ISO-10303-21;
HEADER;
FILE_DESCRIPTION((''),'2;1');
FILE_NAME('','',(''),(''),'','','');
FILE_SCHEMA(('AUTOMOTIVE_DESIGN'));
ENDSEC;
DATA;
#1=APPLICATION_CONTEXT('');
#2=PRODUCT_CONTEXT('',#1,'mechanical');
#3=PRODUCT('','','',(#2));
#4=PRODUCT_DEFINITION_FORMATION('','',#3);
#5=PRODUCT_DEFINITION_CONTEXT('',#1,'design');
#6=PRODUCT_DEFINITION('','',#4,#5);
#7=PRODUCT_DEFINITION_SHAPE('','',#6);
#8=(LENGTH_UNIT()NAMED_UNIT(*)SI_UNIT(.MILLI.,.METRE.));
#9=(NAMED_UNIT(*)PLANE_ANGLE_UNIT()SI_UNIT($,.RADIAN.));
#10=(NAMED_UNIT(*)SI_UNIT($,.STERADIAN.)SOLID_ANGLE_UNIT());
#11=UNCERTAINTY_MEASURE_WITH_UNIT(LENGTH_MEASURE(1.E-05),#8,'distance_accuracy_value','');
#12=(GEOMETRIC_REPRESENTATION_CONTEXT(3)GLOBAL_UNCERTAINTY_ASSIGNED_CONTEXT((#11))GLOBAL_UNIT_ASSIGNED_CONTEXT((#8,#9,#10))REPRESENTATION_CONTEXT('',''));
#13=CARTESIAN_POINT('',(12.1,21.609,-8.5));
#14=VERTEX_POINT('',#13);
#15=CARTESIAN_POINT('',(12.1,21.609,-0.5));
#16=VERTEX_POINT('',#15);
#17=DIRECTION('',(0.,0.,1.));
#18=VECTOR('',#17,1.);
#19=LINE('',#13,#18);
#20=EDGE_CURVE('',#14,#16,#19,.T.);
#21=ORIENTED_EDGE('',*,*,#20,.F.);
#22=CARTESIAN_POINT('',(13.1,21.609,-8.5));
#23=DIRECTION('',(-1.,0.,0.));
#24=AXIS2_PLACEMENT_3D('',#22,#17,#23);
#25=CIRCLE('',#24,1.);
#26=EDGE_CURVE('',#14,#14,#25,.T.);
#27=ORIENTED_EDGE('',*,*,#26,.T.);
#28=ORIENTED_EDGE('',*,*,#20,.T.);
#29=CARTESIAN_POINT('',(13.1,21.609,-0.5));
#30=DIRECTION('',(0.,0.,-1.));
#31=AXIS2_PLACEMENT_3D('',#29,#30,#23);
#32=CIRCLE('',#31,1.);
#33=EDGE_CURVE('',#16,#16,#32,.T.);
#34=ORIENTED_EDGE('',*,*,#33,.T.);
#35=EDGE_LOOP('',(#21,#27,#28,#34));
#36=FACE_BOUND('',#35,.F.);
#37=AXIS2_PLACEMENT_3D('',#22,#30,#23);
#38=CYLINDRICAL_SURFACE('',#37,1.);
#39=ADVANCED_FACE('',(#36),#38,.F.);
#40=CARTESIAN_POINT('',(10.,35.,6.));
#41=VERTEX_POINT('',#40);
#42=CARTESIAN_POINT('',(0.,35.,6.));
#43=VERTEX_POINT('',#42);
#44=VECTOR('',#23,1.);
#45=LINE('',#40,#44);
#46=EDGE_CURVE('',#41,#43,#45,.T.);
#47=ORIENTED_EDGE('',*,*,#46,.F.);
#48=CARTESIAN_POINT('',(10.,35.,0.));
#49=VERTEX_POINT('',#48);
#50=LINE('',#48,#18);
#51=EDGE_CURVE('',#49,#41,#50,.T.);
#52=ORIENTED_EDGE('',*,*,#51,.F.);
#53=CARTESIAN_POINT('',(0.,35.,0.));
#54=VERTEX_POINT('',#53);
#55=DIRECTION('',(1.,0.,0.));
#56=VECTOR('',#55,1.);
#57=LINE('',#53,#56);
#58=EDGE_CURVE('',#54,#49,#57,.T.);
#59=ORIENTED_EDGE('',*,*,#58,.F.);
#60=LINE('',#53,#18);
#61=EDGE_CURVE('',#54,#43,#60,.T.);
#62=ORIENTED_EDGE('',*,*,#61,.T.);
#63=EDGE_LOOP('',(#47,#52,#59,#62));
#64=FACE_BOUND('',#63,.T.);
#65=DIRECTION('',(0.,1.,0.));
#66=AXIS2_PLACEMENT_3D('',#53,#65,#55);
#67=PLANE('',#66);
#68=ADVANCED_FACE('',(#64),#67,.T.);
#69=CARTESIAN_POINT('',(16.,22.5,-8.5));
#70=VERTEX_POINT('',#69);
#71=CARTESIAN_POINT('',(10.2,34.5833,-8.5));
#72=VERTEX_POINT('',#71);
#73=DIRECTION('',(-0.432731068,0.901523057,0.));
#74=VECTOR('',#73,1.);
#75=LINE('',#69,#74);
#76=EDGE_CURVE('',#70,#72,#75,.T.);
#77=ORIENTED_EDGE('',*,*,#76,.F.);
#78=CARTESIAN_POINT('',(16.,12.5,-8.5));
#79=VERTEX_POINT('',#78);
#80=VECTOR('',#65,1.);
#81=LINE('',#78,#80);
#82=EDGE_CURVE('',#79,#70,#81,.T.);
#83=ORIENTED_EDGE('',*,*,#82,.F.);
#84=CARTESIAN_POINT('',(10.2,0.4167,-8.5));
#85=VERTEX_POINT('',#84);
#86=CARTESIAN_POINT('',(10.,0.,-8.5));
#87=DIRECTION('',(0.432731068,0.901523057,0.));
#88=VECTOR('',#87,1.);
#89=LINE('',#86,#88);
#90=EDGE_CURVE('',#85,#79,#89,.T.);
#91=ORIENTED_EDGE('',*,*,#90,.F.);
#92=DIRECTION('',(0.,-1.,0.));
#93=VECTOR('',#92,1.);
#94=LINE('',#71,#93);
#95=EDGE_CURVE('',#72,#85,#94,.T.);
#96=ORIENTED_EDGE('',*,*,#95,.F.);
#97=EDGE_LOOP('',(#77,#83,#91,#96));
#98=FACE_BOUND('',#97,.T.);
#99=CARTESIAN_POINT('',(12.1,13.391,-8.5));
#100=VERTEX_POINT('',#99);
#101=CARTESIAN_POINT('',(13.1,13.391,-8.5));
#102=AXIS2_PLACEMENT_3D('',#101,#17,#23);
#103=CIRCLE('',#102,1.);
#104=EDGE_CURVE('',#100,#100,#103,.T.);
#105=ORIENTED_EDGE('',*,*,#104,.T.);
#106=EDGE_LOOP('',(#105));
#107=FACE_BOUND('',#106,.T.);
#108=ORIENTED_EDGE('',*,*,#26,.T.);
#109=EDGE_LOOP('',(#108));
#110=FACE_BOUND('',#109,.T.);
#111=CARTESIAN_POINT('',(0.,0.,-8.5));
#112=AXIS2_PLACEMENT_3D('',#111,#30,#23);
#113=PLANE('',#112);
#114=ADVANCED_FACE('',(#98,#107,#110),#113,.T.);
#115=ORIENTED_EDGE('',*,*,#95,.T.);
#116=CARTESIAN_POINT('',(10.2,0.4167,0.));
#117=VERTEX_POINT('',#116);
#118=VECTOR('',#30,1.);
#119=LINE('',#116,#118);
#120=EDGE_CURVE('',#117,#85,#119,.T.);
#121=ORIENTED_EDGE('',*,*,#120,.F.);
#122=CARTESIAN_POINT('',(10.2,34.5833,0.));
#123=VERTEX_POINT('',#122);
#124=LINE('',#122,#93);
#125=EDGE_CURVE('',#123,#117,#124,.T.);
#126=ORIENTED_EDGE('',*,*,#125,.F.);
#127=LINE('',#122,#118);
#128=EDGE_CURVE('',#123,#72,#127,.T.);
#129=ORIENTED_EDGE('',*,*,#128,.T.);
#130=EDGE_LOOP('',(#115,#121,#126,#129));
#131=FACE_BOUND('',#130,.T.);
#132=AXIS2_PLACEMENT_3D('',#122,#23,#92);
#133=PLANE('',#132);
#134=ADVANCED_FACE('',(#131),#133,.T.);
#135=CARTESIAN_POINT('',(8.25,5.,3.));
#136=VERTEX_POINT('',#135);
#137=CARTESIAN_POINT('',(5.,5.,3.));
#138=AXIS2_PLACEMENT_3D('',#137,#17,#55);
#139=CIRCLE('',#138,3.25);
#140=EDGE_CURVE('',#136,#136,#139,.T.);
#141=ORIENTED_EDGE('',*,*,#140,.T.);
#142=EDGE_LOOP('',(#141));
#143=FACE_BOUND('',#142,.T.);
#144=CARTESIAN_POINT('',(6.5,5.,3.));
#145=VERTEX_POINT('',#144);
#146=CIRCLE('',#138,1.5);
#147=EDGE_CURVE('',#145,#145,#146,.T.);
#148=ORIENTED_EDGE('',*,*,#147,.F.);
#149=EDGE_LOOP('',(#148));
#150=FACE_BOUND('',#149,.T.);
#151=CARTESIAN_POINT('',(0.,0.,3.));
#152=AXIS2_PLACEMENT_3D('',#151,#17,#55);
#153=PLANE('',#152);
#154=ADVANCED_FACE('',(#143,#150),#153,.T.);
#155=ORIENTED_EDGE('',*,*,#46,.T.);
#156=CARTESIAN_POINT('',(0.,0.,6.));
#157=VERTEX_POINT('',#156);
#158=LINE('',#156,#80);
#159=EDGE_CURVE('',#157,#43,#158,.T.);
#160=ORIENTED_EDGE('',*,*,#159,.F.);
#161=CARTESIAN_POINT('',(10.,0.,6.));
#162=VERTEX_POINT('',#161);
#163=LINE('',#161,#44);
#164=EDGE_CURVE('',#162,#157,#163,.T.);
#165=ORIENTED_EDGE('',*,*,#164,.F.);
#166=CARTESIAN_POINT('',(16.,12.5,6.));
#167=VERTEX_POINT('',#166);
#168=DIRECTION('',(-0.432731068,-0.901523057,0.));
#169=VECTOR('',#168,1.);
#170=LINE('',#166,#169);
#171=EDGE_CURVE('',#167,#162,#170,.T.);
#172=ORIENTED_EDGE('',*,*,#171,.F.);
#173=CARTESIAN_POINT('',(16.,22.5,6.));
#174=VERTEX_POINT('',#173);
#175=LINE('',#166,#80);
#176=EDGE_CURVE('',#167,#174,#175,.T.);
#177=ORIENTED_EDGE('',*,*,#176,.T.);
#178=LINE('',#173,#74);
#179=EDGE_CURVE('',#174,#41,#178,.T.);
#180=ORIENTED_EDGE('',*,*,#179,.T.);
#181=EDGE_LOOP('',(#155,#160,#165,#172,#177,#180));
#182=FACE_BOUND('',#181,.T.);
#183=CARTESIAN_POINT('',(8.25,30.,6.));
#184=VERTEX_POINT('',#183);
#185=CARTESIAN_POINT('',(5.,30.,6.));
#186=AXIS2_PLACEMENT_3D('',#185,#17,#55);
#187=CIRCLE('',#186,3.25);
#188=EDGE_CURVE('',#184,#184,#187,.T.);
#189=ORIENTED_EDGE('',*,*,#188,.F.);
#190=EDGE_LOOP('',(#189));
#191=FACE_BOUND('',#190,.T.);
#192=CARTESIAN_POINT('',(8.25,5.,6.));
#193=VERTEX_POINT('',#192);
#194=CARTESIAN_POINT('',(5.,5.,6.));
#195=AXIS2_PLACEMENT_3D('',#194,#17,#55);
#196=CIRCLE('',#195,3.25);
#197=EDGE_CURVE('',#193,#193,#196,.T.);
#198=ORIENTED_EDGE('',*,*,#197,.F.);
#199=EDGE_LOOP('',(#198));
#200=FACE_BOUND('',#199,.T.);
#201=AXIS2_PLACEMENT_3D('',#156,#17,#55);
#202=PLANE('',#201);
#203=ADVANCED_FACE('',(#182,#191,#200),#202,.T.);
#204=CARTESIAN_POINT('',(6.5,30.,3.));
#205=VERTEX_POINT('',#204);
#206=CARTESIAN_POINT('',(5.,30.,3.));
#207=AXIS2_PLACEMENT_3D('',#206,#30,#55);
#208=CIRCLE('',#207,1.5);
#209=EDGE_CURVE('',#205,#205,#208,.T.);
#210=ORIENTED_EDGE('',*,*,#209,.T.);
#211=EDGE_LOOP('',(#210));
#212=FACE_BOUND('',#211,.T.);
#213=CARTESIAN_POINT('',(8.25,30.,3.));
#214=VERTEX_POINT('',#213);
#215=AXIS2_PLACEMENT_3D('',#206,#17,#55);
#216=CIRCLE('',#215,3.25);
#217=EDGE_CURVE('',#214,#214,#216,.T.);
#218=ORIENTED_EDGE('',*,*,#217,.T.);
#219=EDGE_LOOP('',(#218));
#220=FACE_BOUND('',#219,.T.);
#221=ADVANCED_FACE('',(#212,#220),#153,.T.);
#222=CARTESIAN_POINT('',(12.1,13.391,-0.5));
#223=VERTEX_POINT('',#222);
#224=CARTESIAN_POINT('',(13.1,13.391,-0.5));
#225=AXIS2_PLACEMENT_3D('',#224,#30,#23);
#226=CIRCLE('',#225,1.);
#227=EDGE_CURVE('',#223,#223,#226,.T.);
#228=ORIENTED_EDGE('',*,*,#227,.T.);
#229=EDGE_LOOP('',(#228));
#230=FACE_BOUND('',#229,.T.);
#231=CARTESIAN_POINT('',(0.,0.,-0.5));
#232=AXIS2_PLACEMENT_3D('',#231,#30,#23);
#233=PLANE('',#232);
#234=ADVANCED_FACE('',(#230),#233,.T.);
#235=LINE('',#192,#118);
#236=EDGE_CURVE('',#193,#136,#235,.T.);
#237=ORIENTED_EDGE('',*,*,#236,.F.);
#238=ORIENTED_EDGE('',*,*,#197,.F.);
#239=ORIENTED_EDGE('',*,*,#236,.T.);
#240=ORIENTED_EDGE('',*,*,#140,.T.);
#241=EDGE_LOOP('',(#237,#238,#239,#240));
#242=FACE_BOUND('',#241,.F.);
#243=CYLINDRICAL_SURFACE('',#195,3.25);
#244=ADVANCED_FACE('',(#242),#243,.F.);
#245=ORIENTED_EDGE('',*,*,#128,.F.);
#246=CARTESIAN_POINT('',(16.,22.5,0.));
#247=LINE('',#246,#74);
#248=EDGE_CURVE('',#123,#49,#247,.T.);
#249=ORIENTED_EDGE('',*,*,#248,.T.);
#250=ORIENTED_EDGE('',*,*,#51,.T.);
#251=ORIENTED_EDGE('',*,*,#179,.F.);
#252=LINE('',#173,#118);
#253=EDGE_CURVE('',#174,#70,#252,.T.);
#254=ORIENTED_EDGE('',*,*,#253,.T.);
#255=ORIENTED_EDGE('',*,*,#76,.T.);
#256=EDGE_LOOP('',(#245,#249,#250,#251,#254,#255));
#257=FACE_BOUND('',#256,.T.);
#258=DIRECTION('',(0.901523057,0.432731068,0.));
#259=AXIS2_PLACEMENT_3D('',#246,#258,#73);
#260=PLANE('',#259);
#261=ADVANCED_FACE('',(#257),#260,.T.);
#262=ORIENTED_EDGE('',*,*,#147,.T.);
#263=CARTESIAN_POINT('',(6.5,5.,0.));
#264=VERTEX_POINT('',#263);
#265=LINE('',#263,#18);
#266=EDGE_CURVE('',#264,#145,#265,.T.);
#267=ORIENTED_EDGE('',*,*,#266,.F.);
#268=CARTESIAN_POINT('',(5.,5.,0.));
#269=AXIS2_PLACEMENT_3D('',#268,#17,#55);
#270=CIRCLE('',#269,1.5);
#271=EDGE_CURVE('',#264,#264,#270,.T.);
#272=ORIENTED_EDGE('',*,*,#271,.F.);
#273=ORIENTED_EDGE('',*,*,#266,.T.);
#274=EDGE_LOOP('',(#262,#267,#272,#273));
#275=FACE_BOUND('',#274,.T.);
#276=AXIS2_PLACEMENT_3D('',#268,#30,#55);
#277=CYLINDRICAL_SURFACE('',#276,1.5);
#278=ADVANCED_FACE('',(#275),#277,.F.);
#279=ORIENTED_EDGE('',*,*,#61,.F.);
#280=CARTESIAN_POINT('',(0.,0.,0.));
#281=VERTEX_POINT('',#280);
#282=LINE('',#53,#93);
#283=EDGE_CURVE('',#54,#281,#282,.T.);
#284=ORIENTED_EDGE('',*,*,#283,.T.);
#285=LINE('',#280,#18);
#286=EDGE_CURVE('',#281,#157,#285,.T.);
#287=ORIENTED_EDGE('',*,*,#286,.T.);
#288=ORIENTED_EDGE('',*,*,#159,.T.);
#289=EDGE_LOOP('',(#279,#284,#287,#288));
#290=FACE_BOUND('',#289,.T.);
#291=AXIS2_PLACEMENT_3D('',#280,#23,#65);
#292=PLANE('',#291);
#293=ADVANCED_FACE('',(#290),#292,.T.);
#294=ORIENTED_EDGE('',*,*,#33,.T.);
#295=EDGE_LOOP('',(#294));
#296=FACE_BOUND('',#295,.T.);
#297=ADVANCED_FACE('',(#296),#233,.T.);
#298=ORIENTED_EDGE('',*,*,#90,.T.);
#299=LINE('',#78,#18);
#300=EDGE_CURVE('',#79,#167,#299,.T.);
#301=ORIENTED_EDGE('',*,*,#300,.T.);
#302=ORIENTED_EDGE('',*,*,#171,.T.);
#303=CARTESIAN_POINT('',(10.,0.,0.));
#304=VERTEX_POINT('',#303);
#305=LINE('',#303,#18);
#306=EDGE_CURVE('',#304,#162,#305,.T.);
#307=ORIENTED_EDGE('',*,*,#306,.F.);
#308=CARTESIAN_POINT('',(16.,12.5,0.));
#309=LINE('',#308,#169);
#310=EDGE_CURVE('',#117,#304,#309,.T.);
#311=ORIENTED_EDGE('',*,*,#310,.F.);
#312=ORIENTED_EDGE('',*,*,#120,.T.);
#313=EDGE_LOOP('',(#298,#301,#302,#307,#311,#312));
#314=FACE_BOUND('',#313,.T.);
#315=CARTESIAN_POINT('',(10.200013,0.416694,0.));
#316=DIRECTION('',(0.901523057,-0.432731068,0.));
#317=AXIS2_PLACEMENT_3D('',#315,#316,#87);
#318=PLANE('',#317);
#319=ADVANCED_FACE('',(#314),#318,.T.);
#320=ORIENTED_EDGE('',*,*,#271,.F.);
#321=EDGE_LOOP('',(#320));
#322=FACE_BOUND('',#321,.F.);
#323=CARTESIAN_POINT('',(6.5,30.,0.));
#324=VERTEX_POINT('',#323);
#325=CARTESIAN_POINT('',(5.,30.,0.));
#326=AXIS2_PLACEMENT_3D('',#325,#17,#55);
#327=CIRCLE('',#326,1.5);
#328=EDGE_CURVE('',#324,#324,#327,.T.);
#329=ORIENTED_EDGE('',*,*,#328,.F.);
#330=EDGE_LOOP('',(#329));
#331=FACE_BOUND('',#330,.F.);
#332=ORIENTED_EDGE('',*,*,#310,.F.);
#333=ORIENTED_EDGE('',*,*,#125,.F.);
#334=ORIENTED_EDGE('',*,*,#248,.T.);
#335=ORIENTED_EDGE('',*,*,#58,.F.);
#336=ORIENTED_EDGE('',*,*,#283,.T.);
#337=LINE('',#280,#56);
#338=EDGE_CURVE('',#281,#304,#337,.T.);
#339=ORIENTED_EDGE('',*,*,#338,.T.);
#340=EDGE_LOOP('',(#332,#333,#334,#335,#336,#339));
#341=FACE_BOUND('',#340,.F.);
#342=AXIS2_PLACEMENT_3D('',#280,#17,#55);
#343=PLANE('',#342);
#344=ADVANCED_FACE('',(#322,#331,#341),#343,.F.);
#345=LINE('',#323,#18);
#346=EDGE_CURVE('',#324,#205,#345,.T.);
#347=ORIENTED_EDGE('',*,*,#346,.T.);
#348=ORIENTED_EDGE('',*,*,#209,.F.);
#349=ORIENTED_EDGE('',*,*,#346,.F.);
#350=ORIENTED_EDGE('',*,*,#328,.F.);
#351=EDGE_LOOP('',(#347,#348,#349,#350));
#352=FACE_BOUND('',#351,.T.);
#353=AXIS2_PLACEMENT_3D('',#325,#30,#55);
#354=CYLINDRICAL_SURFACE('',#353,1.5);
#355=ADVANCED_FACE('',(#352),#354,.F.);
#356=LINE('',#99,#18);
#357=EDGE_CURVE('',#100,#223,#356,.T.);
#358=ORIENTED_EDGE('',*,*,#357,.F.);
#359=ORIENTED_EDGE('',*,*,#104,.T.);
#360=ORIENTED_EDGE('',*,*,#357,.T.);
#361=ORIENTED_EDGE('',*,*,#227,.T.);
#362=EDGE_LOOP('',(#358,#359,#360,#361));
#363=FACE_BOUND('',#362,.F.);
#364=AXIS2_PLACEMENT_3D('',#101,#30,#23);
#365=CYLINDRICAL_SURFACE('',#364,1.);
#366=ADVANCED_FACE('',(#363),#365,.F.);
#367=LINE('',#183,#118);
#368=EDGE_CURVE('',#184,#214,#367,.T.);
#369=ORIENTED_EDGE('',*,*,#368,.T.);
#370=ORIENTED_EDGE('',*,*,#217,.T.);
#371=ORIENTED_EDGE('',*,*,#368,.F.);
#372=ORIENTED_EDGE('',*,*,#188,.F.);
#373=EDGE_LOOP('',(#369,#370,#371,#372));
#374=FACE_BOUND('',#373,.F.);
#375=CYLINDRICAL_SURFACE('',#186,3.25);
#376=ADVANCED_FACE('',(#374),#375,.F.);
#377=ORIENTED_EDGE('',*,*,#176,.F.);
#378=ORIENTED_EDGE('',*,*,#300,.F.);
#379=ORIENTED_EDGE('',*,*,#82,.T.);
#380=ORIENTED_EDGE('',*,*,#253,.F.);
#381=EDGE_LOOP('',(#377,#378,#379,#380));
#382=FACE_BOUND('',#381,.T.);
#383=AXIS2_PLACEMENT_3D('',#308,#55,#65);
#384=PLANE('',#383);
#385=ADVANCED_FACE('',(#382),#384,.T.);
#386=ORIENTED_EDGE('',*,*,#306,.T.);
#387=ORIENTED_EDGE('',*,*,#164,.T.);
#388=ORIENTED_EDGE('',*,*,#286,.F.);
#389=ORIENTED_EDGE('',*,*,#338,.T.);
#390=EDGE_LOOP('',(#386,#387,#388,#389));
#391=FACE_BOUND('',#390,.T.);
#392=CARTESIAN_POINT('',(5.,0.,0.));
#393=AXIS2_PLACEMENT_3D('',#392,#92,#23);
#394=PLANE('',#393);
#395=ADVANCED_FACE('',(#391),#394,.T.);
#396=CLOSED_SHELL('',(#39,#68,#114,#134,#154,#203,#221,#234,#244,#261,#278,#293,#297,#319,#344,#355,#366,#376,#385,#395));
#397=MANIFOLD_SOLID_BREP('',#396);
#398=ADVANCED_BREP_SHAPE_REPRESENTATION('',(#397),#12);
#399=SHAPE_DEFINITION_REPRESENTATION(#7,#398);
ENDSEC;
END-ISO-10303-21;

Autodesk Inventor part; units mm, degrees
ref_plane "YZ Plane" through (0, 0, 0) normal (1, 0, 0) x (0, 1, 0)
ref_plane "XZ Plane" through (0, 0, 0) normal (0, 1, 0) x (-1, 0, 0)
ref_plane "XY Plane" through (0, 0, 0) normal (0, 0, 1) x (1, 0, 0)
sketch "Sketch1" plane through (0, 0, 0) normal (0, 0, 1) x (1, 0, 0)
  line L0 (0, 0) -> (0, 5)
  line L1 (0, 5) -> (0, 30)
  line L2 (0, 30) -> (0, 35)
  line L3 (0, 35) -> (10, 35)
  line L4 (10, 35) -> (10, 0)
  line L5 (10, 0) -> (0, 0)
  line L6 (0, 35) -> (5, 35)
  line L7 (5, 35) -> (5, 0)
  circle A0 centre (5, 30) radius 1.5
  circle A1 centre (5, 5) radius 1.5
  line L8 (5, 17.5) -> (10, 17.5)
  line L9 (10, 17.5) -> (16, 17.5)
  line L10 (16, 17.5) -> (16, 12.5)
  line L11 (16, 17.5) -> (16, 22.5)
  line L12 (16, 22.5) -> (10, 35)
  line L13 (16, 12.5) -> (10, 0)
  dimension "d0" = 5
  dimension "d1" = 25
  dimension "d2" = 5
  dimension "d3" = 10
  dimension "d4" = 5
  dimension "d5" = 3
  dimension "d6" = 3
  dimension "d7" = 6
  dimension "d8" = 5
  dimension "d9" = 5
extrude "Extrusion1" add sketch "Sketch1" along normal blind 6 contours L0 L1 L2 L3 L7 A0 A1 L5 | L7 A1 L8 L4 L5 | L4 L9 L10 L13 | L8 L7 A0 L3 L4 | L4 L12 L11 L9
sketch "Sketch2" plane through (0, 0, 0) normal (0, 0, -1) x (-1, 0, 0)
  line L0 (0, 35) -> (0, 0) projected
  line L1 (-10, 35) -> (0, 35) projected
  line L2 (-16, 22.5) -> (-10, 35) projected
  line L3 (-16, 12.5) -> (-16, 22.5) projected
  line L4 (-10, 0) -> (-16, 12.5) projected
  line L5 (0, 0) -> (-10, 0) projected
  circle A0 centre (-5, 30) radius 1.5 projected
  circle A1 centre (-5, 5) radius 1.5 projected
  line L6 (-10, 0) -> (-16, 12.5) projected
  line L7 (-10, 35) -> (-10, 0)
  line L8 (-10, 0) -> (-16, 12.5)
  line L9 (-16, 12.5) -> (-16, 22.5)
  line L10 (-10, 35) -> (-16, 22.5)
  line L11 (-10.2, 34.5833) -> (-10.2, 0.4167)
  point P0 (-10.2, 0.4167)
  dimension "d54" = 0.2
extrude "Extrusion2" add sketch "Sketch2" along normal blind 8.5 contours L11 L4 L3 L2
sketch "Sketch3" plane through (0, 0, 6) normal (0, 0, 1) x (1, 0, 0)
  line L0 (0, 35) -> (0, 0) projected
  line L1 (0, 0) -> (10, 0) projected
  line L2 (10, 0) -> (16, 12.5) projected
  line L3 (16, 12.5) -> (16, 22.5) projected
  line L4 (16, 22.5) -> (10, 35) projected
  line L5 (10, 35) -> (0, 35) projected
  circle A0 centre (5, 30) radius 1.5 projected
  circle A1 centre (5, 5) radius 1.5 projected
  circle A2 centre (5, 30) radius 3.25
  circle A3 centre (5, 5) radius 3.25
  dimension "d14" = 6.5
  dimension "d17" = 6.5
extrude "Extrusion3" cut sketch "Sketch3" against normal blind 3 contours A0 | A2 | A3
sketch "Sketch4" plane through (0, 0, -8.5) normal (0, 0, -1) x (-1, 0, 0)
  line L0 (-10.2, 34.5833) -> (-16, 22.5) projected
  line L1 (-16, 22.5) -> (-16, 12.5) projected
  line L2 (-16, 12.5) -> (-10.2, 0.4167) projected
  line L3 (0, 0) -> (-10, 0) projected
  line L4 (0, 35) -> (0, 0) projected
  line L5 (-10, 35) -> (0, 35) projected
  circle A0 centre (-5, 30) radius 1.5 projected
  circle A1 centre (-5, 5) radius 1.5 projected
  line L6 (-15.8046, 22.9071) -> (-13.1, 21.609)
  line L7 (-15.8046, 12.0929) -> (-13.1, 13.391)
  circle A2 centre (-13.1, 13.391) radius 1
  circle A3 centre (-13.1, 21.609) radius 1
  line L8 (-10.2, 34.5833) -> (-10.2, 0.4167) projected
  line L9 (-10, 0) -> (-10.2, 0.4167) projected
  line L10 (-10.2, 34.5833) -> (-10, 35) projected
  line L11 (-10.2, 0.4167) -> (-10.2, 34.5833) projected
  dimension "d39" = 3
  dimension "d41" = 90
  dimension "d42" = 3
  dimension "d43" = 90
  dimension "d45" = 2.9
  dimension "d46" = 2
  dimension "d47" = 2
  dimension "d52" = 8.2179
  dimension "d55" = 2.9
  dimension "d56" = 0.2
  dimension "d57" = 6
extrude "Extrusion4" cut sketch "Sketch4" against normal blind 8 contours A3 | A2
equation "\"d2\" = d0"
equation "\"d4\" = 0.5 * d3"
equation "\"d9\" = d8"
equation "\"d39\" = 0.5 * d36"
equation "\"d42\" = d39"
equation "\"d45\" = d55"
equation "\"d55\" = -0.5 * d56 + 0.5 * d57"
equation "\"d36\" = 6"
properties part number "Clamp"
